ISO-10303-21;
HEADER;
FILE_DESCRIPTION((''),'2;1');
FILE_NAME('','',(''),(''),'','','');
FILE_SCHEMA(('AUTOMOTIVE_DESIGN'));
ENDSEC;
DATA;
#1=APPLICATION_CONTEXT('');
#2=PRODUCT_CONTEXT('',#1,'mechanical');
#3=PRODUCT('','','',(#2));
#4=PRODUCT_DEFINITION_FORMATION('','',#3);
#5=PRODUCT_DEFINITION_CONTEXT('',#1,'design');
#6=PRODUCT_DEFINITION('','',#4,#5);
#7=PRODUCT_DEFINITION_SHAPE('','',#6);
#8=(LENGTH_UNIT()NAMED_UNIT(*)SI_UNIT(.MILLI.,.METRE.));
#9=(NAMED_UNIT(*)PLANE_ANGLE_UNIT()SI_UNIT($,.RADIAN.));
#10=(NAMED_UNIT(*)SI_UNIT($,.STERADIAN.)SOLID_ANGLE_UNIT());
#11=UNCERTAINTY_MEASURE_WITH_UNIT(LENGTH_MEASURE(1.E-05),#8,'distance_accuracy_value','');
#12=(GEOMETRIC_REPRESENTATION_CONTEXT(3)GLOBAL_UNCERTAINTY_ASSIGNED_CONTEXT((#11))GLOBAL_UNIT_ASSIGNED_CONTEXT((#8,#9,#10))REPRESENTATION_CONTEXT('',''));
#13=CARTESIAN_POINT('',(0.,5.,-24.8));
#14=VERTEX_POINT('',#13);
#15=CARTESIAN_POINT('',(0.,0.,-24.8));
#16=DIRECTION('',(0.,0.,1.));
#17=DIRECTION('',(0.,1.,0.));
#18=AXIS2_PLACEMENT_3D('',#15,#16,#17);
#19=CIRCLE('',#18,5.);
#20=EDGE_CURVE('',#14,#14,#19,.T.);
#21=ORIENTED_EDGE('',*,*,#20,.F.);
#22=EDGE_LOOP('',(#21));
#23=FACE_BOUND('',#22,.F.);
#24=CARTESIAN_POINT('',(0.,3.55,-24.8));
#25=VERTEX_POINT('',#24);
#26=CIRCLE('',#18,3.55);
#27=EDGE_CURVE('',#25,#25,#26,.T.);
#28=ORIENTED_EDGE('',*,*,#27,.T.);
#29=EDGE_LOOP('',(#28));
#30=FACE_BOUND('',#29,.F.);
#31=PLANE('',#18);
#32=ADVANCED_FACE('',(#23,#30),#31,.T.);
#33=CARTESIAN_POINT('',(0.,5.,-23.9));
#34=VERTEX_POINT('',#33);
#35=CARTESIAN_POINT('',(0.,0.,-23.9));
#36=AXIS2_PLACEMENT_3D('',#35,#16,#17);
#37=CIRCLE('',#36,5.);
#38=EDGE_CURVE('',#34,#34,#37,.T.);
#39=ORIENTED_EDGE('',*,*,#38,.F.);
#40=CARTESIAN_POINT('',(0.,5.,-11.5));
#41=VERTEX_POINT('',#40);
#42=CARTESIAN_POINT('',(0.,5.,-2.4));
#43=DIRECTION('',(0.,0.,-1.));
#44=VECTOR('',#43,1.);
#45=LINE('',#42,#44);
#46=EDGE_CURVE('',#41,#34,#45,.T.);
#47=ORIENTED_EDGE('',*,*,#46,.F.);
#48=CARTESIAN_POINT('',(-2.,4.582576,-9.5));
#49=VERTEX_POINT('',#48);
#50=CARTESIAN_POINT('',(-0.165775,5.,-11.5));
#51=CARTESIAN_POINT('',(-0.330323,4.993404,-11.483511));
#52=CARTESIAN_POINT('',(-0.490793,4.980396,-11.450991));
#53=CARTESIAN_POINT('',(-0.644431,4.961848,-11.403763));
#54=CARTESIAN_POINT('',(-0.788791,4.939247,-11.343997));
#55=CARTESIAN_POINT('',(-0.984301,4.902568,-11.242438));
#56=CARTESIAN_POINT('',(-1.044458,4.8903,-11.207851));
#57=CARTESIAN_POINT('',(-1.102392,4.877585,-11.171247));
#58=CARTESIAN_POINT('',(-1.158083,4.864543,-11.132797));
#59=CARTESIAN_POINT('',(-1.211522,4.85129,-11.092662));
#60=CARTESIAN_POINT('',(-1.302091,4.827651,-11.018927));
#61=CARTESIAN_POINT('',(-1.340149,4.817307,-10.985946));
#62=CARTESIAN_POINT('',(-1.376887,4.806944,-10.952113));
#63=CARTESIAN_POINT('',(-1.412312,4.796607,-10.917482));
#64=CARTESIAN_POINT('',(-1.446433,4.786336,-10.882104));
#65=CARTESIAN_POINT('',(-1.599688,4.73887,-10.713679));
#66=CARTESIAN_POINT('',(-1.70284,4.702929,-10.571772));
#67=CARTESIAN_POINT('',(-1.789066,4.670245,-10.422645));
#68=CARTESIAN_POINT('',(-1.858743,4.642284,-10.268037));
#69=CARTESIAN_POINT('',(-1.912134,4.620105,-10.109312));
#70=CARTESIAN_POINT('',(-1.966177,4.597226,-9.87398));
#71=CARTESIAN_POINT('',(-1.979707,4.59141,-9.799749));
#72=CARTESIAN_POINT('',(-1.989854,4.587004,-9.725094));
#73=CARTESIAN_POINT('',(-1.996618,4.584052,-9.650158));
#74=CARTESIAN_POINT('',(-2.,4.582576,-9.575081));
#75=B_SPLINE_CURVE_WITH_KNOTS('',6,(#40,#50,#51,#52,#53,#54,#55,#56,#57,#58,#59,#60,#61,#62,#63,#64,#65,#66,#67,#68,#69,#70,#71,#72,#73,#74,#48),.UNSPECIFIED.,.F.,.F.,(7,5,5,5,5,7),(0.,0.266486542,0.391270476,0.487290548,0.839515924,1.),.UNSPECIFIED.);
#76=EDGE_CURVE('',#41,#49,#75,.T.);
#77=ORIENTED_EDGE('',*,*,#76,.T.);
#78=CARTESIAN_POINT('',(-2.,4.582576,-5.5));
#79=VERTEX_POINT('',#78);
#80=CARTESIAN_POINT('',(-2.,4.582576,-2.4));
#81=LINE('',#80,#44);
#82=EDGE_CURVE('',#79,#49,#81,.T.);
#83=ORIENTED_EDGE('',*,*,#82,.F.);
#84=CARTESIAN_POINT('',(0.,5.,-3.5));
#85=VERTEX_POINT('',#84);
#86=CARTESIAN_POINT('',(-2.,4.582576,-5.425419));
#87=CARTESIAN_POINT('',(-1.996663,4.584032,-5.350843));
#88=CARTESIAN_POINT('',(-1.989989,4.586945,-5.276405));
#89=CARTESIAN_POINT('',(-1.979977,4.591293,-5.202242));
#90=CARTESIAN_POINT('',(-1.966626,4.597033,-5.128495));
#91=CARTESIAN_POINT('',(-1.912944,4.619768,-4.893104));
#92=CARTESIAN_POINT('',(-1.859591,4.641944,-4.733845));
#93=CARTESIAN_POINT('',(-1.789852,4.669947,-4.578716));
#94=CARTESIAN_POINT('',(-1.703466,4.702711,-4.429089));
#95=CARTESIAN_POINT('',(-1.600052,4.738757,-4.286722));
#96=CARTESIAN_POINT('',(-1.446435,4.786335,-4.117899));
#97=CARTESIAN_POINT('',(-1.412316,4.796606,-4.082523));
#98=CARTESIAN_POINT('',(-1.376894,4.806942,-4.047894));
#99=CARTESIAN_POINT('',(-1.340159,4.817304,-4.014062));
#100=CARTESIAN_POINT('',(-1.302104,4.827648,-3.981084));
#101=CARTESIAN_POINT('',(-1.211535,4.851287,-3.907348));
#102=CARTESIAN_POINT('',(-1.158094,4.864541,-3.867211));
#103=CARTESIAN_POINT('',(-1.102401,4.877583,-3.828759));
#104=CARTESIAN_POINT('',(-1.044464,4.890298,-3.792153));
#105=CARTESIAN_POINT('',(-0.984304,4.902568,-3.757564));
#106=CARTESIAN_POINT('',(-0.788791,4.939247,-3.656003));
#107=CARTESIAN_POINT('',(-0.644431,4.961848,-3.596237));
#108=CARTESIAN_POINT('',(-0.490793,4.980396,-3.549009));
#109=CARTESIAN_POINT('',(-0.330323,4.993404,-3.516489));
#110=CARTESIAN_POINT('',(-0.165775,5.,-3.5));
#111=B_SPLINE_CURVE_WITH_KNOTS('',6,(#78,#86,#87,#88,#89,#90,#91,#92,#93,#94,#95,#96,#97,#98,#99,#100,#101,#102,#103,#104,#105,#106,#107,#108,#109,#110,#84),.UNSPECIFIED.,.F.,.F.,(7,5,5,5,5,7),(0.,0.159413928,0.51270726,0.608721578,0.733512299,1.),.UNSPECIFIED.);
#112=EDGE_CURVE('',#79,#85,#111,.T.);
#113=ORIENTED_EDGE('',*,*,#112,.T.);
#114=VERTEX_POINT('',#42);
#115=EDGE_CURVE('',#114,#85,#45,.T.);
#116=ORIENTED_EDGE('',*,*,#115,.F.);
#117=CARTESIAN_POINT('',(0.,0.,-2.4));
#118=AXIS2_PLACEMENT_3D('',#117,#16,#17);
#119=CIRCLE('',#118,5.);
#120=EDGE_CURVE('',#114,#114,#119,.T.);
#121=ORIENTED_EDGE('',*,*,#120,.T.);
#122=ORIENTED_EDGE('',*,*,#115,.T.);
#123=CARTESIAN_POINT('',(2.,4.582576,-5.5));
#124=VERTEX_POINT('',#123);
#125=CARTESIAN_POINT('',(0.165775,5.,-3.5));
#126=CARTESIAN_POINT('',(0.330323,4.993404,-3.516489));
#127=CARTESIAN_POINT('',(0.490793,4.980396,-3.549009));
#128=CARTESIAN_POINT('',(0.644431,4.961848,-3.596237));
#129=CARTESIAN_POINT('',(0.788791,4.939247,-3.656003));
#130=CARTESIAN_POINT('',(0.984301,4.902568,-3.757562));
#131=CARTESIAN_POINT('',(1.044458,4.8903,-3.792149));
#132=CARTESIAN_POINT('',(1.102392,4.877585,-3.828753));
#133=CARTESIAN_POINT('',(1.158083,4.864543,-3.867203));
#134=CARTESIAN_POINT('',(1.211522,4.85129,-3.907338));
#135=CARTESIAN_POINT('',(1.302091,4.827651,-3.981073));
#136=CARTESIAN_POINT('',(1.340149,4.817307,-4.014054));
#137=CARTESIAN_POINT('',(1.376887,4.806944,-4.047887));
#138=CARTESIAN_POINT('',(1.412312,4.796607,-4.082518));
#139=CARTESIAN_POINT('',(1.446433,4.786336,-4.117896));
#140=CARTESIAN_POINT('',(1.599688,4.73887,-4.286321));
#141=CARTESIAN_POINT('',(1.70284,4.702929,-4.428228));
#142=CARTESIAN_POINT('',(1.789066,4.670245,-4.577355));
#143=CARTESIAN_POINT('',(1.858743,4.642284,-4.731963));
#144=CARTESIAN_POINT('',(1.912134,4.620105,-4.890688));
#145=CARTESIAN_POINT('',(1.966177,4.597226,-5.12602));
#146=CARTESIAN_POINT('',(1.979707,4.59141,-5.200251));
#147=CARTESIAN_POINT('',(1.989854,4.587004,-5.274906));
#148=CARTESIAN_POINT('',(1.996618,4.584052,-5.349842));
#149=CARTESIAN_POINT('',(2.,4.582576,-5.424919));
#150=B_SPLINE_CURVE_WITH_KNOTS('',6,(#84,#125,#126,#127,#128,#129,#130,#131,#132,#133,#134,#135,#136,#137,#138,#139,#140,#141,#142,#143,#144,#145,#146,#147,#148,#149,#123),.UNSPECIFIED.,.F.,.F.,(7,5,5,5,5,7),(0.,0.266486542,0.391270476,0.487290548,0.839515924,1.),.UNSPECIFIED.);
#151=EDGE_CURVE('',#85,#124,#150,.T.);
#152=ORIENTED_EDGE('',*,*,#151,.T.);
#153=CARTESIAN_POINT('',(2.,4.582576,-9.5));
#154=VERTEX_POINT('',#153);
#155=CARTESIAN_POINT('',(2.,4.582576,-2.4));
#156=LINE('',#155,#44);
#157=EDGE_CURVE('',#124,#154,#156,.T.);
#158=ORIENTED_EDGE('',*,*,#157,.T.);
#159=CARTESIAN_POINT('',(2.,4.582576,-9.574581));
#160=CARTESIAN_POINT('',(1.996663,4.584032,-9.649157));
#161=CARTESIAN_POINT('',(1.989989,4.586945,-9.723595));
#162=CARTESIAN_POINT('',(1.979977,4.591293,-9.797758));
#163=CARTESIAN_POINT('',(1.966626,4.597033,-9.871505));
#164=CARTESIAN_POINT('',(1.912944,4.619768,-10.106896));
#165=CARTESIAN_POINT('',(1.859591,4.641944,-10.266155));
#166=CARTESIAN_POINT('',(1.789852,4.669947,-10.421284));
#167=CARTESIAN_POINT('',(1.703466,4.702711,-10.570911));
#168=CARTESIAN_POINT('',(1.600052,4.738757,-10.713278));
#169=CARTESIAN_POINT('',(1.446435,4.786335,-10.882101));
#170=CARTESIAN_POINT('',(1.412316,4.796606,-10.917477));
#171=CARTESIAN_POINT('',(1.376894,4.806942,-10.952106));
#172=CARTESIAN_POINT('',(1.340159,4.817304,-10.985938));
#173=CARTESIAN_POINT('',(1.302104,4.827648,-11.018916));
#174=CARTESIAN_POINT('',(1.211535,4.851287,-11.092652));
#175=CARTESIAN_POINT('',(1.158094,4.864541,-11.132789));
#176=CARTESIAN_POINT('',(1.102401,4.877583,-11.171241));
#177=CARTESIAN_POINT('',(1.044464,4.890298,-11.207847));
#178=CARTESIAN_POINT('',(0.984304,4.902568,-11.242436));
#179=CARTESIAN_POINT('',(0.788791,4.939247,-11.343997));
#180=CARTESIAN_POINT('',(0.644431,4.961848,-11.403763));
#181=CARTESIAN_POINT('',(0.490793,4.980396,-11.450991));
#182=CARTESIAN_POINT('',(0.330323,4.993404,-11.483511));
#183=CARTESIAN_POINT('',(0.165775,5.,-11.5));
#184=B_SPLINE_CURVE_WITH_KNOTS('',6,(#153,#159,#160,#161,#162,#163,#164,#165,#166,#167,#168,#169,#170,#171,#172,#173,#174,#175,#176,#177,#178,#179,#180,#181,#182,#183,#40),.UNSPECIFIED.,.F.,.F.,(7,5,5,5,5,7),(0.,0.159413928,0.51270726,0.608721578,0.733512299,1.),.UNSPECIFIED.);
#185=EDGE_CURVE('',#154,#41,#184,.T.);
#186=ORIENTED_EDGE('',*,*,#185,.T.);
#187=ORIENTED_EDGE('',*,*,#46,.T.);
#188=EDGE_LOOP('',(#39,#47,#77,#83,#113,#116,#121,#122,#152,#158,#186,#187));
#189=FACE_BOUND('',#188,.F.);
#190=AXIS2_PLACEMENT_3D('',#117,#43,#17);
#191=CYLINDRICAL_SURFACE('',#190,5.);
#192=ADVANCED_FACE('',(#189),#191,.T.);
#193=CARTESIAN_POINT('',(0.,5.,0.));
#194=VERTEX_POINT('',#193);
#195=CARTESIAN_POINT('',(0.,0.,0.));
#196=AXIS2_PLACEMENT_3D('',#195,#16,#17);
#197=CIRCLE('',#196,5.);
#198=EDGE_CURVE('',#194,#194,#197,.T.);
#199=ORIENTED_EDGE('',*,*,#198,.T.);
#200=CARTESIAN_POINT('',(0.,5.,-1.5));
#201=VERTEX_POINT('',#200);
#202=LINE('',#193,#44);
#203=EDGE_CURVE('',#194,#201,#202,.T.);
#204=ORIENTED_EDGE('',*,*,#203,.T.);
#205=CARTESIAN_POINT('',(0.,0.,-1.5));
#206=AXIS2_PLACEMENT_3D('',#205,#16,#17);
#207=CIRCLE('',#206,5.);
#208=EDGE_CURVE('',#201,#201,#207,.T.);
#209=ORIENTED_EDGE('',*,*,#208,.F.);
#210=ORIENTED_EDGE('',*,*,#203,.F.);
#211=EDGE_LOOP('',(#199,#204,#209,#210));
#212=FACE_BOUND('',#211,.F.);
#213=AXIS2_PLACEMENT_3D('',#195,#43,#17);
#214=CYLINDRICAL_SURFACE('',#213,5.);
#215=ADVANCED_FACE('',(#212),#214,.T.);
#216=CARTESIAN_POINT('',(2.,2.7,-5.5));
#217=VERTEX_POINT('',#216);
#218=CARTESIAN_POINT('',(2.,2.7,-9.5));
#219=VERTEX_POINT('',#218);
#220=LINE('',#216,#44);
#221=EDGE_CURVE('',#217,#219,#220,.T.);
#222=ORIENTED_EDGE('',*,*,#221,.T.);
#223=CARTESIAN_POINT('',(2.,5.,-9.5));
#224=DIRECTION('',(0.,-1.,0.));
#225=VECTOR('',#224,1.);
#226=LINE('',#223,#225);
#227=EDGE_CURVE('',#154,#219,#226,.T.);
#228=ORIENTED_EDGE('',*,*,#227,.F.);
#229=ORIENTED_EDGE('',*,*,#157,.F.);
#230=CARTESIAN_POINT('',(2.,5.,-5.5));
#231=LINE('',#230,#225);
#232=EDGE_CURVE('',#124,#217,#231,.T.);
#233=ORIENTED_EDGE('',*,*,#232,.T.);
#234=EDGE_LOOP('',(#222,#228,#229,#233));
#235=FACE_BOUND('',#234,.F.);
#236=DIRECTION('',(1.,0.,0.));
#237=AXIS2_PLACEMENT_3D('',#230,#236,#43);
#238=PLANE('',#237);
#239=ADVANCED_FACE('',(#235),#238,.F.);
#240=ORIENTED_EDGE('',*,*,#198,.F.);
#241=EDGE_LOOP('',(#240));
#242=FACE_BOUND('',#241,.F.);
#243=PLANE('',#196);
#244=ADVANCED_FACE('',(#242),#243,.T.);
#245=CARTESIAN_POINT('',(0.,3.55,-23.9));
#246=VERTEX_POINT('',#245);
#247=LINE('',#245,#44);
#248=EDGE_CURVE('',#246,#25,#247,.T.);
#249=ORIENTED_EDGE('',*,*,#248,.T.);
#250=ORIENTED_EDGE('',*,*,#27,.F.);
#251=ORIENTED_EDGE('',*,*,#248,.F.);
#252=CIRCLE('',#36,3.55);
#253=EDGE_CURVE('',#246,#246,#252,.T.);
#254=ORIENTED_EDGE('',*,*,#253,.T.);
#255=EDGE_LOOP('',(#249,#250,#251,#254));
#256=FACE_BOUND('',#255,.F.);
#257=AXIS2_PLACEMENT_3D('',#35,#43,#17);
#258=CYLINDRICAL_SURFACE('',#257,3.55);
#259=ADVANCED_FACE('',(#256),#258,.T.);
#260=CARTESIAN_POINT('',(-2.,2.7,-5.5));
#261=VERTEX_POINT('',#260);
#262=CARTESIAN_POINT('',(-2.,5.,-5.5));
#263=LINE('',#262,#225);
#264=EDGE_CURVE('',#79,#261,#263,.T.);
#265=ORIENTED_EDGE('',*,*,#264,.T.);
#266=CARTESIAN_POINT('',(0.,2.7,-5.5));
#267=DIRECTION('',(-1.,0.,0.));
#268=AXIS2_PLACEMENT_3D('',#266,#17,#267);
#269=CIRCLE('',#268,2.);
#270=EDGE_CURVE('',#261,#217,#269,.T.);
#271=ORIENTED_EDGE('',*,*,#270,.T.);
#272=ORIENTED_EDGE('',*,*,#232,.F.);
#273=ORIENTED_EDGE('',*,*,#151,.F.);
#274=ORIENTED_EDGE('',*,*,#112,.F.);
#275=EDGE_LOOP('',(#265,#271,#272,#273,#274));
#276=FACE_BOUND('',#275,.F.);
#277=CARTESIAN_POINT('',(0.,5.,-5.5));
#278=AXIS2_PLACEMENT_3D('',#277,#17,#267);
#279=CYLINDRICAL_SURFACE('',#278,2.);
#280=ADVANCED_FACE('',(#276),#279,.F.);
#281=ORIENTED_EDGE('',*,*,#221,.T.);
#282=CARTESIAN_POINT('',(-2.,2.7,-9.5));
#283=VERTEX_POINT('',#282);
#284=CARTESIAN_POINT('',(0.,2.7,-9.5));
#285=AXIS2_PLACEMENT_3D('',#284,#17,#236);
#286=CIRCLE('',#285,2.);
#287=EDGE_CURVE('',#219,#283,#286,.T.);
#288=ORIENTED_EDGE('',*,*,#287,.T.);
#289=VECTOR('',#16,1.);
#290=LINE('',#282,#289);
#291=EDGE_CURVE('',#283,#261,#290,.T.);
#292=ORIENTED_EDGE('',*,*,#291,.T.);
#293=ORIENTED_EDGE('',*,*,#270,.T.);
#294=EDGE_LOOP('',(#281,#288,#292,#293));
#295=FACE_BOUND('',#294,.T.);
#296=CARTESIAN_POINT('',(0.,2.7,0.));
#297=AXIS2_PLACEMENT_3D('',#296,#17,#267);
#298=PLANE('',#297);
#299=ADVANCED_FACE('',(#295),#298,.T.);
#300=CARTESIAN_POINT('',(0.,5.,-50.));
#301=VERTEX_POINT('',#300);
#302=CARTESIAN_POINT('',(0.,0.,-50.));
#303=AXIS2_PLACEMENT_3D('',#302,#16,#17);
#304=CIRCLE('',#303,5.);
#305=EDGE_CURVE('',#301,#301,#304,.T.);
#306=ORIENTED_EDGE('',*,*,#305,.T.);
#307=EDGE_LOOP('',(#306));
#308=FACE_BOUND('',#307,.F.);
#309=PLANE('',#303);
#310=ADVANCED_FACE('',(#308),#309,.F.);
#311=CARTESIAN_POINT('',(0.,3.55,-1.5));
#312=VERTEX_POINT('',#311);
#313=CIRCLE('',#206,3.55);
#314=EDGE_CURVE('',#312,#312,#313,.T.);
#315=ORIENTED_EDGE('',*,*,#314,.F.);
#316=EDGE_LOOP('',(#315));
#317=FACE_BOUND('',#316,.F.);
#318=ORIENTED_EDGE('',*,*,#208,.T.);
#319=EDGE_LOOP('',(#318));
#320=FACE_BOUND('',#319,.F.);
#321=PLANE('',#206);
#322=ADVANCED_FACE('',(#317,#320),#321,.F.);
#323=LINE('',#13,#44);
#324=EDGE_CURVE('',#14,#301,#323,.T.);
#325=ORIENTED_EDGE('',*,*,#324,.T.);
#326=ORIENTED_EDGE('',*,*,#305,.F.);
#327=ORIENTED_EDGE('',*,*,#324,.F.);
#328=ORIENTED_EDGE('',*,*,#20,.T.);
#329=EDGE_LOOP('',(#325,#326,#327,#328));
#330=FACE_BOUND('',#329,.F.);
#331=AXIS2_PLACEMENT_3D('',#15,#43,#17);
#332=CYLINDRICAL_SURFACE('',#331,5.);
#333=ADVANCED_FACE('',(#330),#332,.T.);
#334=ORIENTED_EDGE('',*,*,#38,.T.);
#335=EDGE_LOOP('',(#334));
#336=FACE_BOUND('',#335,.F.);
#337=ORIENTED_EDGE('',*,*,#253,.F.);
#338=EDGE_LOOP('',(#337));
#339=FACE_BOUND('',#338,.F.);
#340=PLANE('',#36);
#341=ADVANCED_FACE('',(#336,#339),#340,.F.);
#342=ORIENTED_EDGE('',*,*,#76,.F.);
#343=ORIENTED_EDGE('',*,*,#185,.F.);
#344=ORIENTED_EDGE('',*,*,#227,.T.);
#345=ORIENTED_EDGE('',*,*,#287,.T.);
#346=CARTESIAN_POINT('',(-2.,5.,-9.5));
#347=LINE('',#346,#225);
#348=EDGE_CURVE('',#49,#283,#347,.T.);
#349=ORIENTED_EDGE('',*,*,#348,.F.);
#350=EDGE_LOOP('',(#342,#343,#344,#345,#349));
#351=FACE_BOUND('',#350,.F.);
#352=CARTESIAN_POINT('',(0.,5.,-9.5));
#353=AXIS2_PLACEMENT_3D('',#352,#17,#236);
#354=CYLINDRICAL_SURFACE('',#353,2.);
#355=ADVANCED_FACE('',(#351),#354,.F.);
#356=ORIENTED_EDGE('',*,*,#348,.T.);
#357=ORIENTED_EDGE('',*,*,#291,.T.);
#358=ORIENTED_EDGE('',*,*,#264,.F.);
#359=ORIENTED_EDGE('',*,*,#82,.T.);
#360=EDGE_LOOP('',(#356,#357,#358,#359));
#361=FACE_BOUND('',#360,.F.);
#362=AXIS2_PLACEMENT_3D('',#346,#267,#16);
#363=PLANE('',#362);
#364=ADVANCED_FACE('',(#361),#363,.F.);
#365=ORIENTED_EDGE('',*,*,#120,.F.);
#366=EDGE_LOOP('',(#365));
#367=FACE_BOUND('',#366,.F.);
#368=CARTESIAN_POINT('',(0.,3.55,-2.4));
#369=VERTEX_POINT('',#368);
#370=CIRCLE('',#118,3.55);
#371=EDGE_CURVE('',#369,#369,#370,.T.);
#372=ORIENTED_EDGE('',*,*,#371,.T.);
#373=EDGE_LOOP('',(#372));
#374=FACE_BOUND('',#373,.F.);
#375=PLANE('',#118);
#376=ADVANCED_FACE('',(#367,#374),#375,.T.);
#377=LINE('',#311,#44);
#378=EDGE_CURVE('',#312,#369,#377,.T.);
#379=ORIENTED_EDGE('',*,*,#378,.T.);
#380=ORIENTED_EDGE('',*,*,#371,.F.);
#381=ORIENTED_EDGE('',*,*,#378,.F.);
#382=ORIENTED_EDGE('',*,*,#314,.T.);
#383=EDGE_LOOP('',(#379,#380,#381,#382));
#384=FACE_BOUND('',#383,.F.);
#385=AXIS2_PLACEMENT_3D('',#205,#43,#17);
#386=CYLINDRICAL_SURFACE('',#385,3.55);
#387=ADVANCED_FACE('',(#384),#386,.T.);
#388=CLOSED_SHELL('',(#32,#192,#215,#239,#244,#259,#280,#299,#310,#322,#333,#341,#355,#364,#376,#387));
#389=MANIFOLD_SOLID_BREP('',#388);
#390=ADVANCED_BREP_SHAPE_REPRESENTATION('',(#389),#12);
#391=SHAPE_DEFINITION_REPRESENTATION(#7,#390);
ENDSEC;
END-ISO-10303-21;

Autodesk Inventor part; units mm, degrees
ref_plane "YZ Plane" through (0, 0, 0) normal (1, 0, 0) x (0, 1, 0)
ref_plane "XY Plane" through (0, 0, 0) normal (0, 0, 1) x (1, 0, 0)
sketch "Sketch5" plane through (0, 0, 0) normal (1, 0, 0) x (0, 1, 0)
  line L0 (0, 0) -> (5, 0)
  line L1 (5, 0) -> (5, -1.5)
  line L2 (5, -1.5) -> (3.55, -1.5)
  line L3 (3.55, -1.5) -> (3.55, -2.4)
  line L4 (3.55, -2.4) -> (5, -2.4)
  line L5 (5, -2.4) -> (5, -23.9)
  line L6 (5, -23.9) -> (3.55, -23.9)
  line L7 (3.55, -23.9) -> (3.55, -24.8)
  line L8 (3.55, -24.8) -> (5, -24.8)
  line L9 (5, -24.8) -> (5, -50)
  line L10 (5, -50) -> (0, -50)
  line L11 (0, -50) -> (0, 0)
  dimension "d14" = 0.9
  dimension "d15" = 1.5
  dimension "d16" = 0.9
  dimension "d17" = 50
  dimension "d18" = 10
  dimension "d19" = 7.1
  dimension "d28" = 23.3
revolve "Revolution2" add sketch "Sketch5" angle 360 about axis through (0, 0, -50) along (0, 0, 1)
ref_plane "Work Plane1" through (0, 5, 0) normal (0, 1, 0) x (-1, 0, 0)
sketch "Sketch6" plane through (0, 5, 0) normal (0, 1, 0) x (-1, 0, 0)
  line L0 (0, -5.5) -> (0, -9.5) construction
  line L1 (-2, -5.5) -> (-2, -9.5)
  line L2 (2, -9.5) -> (2, -5.5)
  arc A0 (2, -5.5) -> (-2, -5.5) centre (0, -5.5) ccw
  arc A1 (-2, -9.5) -> (2, -9.5) centre (0, -9.5) ccw
  line L3 (5, -1.5) -> (-5, -1.5) projected
  point P0 (0, 0)
  point P1 (0, -7.5)
  point P2 (0, -3.5)
  point P3 (0, -11.5)
  dimension "d22" = 4
  dimension "d23" = 8
  dimension "d24" = 2
extrude "Extrusion4" cut sketch "Sketch6" against normal blind 2.3
properties part number "gearbox_shaft2" material "Steel"
